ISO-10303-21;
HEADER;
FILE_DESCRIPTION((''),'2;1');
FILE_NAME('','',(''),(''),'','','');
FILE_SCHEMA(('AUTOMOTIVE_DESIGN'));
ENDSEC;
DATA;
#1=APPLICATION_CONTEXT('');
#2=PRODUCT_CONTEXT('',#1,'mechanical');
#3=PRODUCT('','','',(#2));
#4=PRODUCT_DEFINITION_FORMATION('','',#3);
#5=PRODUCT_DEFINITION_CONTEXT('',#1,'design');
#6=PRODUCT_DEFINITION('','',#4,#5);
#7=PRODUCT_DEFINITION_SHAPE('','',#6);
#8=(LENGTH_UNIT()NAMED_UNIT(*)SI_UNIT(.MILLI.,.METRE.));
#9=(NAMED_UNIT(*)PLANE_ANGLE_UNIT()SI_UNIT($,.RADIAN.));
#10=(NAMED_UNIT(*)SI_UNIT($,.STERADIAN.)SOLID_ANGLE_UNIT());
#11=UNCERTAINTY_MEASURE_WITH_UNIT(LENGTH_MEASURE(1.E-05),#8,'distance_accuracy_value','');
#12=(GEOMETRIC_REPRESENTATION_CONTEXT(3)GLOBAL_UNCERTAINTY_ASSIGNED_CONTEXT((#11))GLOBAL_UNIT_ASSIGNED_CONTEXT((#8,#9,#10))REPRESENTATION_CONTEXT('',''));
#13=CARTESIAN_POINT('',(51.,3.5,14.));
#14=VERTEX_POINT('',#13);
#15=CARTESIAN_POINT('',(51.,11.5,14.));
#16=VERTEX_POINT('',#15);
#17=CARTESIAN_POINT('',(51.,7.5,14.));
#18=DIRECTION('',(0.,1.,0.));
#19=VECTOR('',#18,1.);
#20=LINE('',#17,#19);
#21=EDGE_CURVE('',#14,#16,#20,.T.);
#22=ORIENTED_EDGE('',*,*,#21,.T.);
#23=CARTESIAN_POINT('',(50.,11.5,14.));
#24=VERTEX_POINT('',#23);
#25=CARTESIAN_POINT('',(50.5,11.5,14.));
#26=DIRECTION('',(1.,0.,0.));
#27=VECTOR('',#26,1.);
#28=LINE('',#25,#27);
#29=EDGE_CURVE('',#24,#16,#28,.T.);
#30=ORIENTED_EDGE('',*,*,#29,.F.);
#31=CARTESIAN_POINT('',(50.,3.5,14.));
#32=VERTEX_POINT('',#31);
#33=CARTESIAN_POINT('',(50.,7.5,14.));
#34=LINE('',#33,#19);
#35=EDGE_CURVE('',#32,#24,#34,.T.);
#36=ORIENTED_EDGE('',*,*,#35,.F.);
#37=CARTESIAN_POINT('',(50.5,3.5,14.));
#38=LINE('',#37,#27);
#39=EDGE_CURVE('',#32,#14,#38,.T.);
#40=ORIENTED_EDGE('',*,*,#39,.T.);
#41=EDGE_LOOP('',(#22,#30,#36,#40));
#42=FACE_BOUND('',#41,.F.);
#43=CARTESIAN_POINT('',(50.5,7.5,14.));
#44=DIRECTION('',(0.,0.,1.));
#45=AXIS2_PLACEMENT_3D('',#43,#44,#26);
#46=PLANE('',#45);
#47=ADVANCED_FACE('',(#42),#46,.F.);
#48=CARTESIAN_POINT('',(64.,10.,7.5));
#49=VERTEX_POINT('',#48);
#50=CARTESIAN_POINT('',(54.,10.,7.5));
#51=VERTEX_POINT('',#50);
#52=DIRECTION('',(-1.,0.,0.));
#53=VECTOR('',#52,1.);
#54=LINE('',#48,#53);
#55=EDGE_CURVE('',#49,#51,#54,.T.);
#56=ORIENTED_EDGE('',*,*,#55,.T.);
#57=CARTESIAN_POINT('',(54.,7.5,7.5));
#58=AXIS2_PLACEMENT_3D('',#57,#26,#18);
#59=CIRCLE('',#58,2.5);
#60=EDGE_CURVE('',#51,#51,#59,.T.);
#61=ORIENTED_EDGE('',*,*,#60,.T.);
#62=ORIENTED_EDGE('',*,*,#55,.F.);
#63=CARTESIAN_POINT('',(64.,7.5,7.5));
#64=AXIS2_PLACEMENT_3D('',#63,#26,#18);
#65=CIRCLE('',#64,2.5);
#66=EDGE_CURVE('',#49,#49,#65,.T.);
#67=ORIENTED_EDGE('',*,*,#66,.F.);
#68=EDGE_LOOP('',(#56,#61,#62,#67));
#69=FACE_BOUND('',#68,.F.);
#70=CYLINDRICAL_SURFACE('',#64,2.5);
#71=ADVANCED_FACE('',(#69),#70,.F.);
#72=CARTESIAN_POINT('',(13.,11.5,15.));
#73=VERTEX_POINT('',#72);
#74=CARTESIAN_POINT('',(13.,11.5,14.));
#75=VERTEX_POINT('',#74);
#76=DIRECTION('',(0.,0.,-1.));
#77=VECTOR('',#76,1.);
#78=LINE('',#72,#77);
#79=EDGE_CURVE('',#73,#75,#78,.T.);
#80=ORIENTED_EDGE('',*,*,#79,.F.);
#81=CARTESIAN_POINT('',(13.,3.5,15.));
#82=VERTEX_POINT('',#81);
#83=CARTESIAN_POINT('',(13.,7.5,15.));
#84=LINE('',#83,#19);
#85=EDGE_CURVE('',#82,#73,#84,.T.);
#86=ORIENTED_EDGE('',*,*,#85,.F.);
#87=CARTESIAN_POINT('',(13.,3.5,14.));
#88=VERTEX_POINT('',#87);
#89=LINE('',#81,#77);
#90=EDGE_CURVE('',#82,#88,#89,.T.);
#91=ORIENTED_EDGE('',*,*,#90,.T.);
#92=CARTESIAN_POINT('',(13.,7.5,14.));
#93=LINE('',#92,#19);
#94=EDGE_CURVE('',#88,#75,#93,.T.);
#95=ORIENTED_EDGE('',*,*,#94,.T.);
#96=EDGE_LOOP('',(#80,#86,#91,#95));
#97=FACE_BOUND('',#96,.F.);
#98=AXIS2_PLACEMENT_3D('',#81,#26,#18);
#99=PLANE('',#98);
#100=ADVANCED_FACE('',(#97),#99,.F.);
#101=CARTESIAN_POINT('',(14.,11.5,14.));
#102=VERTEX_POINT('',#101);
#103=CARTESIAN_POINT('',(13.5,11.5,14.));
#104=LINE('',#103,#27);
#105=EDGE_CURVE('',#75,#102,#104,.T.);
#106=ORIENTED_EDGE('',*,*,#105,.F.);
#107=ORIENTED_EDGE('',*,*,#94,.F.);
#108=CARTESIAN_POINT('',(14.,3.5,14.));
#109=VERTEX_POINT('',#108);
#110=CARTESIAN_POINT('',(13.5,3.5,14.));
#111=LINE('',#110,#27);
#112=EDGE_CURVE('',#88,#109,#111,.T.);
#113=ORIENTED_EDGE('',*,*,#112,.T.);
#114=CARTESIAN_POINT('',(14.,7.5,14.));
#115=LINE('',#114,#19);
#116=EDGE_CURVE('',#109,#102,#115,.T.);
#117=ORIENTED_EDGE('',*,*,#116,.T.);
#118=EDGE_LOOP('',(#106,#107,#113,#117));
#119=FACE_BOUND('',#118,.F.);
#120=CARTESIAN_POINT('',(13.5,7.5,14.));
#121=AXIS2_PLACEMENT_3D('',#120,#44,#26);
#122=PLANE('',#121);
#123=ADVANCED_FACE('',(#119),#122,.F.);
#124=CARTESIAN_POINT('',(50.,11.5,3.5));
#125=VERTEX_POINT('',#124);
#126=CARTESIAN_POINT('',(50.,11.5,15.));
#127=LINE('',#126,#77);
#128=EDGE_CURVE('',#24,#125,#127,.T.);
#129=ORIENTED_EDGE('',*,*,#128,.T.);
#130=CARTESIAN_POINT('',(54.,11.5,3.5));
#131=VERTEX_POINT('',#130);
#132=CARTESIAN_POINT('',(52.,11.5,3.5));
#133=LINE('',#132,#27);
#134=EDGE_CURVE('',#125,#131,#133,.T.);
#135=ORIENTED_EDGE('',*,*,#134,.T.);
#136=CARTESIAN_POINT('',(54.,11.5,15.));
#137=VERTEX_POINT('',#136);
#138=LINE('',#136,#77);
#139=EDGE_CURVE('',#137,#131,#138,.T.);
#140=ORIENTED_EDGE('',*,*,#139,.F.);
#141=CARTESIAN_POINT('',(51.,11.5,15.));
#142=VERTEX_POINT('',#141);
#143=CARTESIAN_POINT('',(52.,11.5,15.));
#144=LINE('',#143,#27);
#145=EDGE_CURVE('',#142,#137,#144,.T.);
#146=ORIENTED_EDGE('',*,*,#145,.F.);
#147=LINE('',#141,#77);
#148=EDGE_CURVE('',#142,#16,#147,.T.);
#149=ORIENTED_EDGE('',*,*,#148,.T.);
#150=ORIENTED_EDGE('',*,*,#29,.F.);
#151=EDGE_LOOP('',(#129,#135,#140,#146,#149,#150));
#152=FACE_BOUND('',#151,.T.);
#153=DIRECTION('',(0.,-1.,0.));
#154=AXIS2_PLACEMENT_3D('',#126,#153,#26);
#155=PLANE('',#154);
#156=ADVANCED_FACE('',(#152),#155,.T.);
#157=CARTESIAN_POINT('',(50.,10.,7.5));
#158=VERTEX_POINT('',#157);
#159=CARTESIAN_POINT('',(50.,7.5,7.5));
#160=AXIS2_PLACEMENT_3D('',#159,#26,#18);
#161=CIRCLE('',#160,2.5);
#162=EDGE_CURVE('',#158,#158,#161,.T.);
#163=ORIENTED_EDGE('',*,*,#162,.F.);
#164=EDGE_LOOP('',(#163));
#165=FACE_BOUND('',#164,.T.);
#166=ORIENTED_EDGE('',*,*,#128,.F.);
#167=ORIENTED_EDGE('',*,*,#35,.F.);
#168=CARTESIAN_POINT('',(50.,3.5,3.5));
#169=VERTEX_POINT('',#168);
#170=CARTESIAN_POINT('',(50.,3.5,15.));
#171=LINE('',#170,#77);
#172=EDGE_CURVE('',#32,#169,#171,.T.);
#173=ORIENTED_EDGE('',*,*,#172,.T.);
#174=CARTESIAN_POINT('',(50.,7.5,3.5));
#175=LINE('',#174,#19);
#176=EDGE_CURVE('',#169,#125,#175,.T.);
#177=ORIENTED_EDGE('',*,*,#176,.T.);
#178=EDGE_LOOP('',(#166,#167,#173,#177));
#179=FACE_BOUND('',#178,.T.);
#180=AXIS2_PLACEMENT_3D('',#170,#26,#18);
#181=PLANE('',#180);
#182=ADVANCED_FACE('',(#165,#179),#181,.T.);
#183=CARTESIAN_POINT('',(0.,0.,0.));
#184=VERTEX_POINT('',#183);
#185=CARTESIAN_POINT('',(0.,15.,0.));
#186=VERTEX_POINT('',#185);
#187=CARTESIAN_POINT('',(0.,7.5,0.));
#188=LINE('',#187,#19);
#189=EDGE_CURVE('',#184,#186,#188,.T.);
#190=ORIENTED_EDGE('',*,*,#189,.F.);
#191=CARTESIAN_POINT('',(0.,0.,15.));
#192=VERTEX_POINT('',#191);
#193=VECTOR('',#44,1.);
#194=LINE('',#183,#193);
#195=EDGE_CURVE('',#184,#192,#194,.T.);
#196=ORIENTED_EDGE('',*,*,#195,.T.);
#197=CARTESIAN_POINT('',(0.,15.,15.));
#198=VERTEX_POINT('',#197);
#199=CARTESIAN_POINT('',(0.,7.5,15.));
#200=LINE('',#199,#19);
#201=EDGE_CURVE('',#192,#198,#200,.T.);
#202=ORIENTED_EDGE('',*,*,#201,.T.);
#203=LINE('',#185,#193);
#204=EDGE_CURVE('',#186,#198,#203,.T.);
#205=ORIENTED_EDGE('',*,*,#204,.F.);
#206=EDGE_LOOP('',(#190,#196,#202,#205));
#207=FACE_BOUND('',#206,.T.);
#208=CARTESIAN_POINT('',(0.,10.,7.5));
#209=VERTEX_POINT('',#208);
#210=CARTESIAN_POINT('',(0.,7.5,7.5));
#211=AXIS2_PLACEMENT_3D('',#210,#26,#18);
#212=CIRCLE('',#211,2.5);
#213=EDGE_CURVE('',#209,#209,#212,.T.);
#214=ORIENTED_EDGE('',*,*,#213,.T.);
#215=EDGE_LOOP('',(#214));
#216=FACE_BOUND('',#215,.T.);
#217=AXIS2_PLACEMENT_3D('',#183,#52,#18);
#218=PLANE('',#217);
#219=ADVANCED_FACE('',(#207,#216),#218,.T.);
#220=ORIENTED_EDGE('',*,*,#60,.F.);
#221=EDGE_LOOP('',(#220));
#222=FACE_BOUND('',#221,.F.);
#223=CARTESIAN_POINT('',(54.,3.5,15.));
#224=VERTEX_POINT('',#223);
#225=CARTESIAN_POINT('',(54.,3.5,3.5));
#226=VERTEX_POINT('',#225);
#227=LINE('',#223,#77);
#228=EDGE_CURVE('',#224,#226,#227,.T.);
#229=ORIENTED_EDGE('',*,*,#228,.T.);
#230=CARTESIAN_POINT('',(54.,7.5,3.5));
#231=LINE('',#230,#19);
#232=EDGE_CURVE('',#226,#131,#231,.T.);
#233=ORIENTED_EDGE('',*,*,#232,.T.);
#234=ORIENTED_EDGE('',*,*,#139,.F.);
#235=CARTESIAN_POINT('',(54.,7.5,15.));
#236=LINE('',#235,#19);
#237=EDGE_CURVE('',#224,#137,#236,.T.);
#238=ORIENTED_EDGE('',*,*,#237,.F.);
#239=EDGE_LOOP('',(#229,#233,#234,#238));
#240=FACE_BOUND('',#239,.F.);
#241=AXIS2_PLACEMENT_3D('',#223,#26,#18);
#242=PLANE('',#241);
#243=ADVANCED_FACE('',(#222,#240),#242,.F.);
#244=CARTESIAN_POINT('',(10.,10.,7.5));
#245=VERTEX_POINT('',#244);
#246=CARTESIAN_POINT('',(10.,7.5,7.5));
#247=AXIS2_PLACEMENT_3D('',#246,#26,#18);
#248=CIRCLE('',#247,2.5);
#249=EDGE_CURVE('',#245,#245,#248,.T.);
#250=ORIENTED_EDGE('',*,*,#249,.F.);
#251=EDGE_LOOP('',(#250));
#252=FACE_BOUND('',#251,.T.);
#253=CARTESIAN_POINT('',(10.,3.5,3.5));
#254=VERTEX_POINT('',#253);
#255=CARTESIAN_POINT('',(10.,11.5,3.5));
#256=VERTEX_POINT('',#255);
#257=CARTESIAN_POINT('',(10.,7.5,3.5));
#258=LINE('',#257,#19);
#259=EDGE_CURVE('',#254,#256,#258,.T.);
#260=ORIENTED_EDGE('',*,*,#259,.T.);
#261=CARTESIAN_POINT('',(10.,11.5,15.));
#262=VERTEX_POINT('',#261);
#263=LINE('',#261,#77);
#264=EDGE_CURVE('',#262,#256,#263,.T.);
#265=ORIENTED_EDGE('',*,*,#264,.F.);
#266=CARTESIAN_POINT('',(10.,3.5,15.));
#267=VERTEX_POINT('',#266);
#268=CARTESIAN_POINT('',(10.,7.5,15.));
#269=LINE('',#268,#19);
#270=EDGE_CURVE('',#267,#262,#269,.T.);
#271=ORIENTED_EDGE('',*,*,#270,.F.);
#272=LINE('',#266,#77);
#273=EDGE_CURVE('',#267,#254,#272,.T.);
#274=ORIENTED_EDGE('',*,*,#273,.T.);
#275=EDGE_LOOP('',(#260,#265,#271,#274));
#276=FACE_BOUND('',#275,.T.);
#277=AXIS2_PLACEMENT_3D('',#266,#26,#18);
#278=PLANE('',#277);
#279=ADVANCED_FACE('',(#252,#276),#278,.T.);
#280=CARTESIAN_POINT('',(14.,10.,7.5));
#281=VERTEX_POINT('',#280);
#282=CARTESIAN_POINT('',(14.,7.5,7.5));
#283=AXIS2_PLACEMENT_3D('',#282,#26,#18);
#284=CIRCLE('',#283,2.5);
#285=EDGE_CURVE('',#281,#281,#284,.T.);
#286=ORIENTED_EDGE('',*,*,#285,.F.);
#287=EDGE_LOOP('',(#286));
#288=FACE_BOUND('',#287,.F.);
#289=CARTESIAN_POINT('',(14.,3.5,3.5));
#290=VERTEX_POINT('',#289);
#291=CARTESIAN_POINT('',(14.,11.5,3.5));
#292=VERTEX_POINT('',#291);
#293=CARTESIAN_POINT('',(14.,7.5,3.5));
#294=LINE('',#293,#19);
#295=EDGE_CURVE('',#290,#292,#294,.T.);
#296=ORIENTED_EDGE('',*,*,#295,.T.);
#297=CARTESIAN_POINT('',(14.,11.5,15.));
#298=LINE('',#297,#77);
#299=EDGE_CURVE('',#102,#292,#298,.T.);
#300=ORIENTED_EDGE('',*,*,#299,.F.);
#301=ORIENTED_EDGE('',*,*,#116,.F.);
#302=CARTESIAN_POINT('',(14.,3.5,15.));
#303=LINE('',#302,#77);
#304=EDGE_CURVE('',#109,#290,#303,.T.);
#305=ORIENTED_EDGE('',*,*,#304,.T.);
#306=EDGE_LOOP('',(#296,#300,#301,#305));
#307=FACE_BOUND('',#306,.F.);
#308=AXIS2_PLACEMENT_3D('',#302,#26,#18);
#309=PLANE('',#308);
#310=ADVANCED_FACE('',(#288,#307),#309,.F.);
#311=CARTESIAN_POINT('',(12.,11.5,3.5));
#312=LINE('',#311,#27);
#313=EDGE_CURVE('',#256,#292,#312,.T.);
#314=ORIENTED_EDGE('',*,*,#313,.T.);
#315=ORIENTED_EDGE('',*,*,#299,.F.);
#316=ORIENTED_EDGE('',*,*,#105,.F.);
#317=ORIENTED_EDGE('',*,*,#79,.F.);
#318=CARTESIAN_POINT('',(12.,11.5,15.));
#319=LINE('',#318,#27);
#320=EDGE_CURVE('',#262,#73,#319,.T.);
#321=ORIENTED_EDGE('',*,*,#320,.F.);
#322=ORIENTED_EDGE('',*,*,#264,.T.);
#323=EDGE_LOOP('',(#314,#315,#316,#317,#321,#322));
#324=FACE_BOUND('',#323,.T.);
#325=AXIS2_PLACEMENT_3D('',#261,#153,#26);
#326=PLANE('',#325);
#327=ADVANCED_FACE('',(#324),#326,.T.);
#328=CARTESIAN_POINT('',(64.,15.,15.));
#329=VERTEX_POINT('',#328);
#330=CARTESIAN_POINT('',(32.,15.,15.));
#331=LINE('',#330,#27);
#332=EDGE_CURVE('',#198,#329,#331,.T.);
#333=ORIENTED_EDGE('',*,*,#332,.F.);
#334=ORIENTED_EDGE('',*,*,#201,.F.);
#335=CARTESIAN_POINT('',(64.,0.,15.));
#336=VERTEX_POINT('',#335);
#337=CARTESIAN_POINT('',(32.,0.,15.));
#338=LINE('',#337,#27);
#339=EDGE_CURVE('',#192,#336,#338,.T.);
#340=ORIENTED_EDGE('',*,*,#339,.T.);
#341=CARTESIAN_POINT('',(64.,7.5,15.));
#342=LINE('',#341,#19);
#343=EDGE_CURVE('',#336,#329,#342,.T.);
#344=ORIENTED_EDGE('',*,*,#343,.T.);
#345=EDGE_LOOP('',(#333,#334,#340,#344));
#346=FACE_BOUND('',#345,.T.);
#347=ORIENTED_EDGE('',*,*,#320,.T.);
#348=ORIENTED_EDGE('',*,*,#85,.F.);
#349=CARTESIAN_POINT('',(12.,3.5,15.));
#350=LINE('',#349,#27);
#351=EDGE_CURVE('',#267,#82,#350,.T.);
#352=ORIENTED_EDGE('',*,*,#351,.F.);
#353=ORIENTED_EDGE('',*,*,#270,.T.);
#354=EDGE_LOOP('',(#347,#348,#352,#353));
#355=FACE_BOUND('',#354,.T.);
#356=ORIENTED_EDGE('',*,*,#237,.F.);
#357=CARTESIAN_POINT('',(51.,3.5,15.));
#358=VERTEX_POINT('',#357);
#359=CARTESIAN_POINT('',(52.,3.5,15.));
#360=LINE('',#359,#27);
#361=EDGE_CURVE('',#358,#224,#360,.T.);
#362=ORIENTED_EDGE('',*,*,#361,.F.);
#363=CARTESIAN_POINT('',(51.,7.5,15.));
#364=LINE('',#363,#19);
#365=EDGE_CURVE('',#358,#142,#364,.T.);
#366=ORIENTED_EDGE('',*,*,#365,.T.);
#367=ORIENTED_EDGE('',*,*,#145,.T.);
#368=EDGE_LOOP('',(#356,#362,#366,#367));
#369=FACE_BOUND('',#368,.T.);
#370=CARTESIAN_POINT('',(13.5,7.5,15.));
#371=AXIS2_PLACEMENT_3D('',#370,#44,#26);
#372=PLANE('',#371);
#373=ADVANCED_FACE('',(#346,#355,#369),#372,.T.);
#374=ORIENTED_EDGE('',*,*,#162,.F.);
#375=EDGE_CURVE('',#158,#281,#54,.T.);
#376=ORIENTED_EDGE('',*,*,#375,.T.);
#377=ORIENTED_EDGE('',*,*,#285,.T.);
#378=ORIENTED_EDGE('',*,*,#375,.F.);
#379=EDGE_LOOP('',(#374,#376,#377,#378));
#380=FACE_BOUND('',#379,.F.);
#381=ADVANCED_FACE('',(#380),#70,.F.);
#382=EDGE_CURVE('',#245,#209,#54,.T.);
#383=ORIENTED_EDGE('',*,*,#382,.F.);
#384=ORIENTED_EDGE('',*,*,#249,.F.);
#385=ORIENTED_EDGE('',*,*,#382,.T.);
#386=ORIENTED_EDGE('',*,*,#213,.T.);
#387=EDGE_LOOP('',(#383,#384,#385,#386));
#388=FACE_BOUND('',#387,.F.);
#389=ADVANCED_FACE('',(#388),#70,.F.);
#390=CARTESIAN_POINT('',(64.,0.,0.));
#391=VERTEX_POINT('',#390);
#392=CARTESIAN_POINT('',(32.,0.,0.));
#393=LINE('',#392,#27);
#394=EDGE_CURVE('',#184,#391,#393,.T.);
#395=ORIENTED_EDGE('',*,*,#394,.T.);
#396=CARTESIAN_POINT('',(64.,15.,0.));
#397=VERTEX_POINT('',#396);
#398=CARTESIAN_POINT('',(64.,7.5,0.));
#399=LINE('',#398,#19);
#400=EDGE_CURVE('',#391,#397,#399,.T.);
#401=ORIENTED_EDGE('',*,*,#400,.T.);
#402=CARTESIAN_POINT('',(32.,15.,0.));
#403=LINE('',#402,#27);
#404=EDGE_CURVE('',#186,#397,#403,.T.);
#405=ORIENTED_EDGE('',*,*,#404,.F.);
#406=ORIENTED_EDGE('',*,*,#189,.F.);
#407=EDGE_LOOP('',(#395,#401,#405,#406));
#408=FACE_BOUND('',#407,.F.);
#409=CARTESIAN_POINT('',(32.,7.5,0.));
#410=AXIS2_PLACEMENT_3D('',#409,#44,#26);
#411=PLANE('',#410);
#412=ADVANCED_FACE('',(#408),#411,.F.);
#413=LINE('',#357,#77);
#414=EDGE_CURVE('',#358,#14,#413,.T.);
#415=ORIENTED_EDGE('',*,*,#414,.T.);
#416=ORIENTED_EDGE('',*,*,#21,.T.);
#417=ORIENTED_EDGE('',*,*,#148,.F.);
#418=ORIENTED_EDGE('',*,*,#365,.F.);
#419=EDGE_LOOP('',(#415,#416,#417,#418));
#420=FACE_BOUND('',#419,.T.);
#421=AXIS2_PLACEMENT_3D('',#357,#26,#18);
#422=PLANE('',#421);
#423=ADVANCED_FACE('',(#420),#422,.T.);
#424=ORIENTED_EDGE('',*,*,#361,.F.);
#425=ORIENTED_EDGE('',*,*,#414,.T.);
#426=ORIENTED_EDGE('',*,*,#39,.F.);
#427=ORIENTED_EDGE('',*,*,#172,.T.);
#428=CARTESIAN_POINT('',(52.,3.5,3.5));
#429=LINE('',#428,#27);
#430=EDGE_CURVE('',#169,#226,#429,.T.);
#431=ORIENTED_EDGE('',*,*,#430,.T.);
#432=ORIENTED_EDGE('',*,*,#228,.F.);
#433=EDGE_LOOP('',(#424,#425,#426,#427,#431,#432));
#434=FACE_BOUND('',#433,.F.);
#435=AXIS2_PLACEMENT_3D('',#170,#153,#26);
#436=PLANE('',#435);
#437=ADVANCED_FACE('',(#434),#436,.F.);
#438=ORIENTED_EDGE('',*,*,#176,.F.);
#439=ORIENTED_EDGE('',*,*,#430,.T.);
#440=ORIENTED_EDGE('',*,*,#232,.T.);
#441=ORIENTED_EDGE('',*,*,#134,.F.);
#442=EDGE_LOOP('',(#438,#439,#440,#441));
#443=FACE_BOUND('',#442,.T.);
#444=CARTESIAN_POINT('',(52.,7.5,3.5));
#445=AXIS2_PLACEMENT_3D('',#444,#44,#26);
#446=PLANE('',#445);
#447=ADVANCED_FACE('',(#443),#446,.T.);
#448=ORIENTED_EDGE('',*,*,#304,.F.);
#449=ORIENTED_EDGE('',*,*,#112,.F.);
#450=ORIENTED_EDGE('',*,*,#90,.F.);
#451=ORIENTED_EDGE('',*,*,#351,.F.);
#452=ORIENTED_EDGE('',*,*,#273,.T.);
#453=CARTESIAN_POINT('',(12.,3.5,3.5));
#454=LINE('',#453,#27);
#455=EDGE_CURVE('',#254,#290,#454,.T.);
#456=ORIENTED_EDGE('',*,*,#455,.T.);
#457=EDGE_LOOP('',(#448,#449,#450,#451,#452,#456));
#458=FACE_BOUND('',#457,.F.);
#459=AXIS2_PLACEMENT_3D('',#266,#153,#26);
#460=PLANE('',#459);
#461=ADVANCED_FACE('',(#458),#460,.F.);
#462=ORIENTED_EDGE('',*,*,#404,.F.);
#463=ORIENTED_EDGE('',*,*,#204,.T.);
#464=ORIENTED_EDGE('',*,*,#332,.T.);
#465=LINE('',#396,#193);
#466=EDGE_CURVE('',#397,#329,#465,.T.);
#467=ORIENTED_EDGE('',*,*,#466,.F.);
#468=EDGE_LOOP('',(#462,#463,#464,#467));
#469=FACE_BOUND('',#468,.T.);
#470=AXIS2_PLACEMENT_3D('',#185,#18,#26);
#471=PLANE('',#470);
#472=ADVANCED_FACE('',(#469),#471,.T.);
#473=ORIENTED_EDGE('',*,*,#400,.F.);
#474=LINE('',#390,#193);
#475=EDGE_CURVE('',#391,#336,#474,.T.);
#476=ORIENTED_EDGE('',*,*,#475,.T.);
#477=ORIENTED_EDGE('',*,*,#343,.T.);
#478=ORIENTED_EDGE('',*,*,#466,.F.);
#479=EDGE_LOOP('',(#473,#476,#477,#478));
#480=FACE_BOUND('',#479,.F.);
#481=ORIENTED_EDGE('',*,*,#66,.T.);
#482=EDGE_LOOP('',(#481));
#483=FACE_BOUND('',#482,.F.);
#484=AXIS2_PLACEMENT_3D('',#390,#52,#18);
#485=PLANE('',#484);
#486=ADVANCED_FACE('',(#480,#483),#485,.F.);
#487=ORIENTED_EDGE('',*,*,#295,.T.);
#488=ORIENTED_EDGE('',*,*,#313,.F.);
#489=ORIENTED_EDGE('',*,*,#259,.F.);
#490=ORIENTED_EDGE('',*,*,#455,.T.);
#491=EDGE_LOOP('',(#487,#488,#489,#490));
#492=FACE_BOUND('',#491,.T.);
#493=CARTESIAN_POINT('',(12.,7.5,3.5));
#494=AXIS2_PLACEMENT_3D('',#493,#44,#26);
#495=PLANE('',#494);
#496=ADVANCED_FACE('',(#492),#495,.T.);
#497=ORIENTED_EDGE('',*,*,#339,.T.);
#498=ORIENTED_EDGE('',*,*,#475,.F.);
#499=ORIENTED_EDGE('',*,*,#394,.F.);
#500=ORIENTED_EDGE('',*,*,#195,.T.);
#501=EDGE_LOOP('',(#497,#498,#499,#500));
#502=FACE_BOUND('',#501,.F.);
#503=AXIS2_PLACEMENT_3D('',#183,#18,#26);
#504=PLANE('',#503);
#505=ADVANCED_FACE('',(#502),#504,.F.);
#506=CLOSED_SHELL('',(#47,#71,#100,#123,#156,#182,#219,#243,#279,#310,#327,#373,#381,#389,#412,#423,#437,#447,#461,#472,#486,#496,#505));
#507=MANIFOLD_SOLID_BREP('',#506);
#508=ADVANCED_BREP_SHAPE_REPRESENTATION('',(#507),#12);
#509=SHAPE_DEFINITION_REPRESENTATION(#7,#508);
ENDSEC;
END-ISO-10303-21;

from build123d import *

# Parameters (mm, degrees)
F0_W     = 64
F0_H     = 15
F1_DEPTH = 15
F2_R     = 2.5
F3_DEPTH = 64.001
F4_W     = 4
F4_H     = 8
F5_DEPTH = 11.5
F6_W     = 1
F6_H     = 8
F7_DEPTH = 1


with BuildPart() as f1:
    # F0 (on Top) → F1 (new body)
    with BuildSketch(Plane.XY):
        with Locations((32, 7.5)):
            Rectangle(F0_W, F0_H)
    extrude(amount=F1_DEPTH)

    # F2 (on face) → F3 (cut, through all)
    with BuildSketch(Plane.YZ.offset(64)):
        with Locations((7.5, 7.5)):
            Circle(F2_R)
    extrude(amount=-F3_DEPTH, mode=Mode.SUBTRACT)

    # F4 (on face) → F5 (cut)
    with BuildSketch(Plane.XY.offset(15)):
        with Locations((12, 7.5)):
            Rectangle(F4_W, F4_H)
        with Locations((52, 7.5)):
            Rectangle(F4_W, F4_H)
    extrude(amount=-F5_DEPTH, mode=Mode.SUBTRACT)

    # F6 (on face) → F7 (join)
    with BuildSketch(Plane.XY.offset(15)):
        with Locations((13.5, 7.5)):
            Rectangle(F6_W, F6_H)
        with Locations((50.5, 7.5)):
            Rectangle(F6_W, F6_H)
    extrude(amount=-F7_DEPTH)


solid = f1.part
